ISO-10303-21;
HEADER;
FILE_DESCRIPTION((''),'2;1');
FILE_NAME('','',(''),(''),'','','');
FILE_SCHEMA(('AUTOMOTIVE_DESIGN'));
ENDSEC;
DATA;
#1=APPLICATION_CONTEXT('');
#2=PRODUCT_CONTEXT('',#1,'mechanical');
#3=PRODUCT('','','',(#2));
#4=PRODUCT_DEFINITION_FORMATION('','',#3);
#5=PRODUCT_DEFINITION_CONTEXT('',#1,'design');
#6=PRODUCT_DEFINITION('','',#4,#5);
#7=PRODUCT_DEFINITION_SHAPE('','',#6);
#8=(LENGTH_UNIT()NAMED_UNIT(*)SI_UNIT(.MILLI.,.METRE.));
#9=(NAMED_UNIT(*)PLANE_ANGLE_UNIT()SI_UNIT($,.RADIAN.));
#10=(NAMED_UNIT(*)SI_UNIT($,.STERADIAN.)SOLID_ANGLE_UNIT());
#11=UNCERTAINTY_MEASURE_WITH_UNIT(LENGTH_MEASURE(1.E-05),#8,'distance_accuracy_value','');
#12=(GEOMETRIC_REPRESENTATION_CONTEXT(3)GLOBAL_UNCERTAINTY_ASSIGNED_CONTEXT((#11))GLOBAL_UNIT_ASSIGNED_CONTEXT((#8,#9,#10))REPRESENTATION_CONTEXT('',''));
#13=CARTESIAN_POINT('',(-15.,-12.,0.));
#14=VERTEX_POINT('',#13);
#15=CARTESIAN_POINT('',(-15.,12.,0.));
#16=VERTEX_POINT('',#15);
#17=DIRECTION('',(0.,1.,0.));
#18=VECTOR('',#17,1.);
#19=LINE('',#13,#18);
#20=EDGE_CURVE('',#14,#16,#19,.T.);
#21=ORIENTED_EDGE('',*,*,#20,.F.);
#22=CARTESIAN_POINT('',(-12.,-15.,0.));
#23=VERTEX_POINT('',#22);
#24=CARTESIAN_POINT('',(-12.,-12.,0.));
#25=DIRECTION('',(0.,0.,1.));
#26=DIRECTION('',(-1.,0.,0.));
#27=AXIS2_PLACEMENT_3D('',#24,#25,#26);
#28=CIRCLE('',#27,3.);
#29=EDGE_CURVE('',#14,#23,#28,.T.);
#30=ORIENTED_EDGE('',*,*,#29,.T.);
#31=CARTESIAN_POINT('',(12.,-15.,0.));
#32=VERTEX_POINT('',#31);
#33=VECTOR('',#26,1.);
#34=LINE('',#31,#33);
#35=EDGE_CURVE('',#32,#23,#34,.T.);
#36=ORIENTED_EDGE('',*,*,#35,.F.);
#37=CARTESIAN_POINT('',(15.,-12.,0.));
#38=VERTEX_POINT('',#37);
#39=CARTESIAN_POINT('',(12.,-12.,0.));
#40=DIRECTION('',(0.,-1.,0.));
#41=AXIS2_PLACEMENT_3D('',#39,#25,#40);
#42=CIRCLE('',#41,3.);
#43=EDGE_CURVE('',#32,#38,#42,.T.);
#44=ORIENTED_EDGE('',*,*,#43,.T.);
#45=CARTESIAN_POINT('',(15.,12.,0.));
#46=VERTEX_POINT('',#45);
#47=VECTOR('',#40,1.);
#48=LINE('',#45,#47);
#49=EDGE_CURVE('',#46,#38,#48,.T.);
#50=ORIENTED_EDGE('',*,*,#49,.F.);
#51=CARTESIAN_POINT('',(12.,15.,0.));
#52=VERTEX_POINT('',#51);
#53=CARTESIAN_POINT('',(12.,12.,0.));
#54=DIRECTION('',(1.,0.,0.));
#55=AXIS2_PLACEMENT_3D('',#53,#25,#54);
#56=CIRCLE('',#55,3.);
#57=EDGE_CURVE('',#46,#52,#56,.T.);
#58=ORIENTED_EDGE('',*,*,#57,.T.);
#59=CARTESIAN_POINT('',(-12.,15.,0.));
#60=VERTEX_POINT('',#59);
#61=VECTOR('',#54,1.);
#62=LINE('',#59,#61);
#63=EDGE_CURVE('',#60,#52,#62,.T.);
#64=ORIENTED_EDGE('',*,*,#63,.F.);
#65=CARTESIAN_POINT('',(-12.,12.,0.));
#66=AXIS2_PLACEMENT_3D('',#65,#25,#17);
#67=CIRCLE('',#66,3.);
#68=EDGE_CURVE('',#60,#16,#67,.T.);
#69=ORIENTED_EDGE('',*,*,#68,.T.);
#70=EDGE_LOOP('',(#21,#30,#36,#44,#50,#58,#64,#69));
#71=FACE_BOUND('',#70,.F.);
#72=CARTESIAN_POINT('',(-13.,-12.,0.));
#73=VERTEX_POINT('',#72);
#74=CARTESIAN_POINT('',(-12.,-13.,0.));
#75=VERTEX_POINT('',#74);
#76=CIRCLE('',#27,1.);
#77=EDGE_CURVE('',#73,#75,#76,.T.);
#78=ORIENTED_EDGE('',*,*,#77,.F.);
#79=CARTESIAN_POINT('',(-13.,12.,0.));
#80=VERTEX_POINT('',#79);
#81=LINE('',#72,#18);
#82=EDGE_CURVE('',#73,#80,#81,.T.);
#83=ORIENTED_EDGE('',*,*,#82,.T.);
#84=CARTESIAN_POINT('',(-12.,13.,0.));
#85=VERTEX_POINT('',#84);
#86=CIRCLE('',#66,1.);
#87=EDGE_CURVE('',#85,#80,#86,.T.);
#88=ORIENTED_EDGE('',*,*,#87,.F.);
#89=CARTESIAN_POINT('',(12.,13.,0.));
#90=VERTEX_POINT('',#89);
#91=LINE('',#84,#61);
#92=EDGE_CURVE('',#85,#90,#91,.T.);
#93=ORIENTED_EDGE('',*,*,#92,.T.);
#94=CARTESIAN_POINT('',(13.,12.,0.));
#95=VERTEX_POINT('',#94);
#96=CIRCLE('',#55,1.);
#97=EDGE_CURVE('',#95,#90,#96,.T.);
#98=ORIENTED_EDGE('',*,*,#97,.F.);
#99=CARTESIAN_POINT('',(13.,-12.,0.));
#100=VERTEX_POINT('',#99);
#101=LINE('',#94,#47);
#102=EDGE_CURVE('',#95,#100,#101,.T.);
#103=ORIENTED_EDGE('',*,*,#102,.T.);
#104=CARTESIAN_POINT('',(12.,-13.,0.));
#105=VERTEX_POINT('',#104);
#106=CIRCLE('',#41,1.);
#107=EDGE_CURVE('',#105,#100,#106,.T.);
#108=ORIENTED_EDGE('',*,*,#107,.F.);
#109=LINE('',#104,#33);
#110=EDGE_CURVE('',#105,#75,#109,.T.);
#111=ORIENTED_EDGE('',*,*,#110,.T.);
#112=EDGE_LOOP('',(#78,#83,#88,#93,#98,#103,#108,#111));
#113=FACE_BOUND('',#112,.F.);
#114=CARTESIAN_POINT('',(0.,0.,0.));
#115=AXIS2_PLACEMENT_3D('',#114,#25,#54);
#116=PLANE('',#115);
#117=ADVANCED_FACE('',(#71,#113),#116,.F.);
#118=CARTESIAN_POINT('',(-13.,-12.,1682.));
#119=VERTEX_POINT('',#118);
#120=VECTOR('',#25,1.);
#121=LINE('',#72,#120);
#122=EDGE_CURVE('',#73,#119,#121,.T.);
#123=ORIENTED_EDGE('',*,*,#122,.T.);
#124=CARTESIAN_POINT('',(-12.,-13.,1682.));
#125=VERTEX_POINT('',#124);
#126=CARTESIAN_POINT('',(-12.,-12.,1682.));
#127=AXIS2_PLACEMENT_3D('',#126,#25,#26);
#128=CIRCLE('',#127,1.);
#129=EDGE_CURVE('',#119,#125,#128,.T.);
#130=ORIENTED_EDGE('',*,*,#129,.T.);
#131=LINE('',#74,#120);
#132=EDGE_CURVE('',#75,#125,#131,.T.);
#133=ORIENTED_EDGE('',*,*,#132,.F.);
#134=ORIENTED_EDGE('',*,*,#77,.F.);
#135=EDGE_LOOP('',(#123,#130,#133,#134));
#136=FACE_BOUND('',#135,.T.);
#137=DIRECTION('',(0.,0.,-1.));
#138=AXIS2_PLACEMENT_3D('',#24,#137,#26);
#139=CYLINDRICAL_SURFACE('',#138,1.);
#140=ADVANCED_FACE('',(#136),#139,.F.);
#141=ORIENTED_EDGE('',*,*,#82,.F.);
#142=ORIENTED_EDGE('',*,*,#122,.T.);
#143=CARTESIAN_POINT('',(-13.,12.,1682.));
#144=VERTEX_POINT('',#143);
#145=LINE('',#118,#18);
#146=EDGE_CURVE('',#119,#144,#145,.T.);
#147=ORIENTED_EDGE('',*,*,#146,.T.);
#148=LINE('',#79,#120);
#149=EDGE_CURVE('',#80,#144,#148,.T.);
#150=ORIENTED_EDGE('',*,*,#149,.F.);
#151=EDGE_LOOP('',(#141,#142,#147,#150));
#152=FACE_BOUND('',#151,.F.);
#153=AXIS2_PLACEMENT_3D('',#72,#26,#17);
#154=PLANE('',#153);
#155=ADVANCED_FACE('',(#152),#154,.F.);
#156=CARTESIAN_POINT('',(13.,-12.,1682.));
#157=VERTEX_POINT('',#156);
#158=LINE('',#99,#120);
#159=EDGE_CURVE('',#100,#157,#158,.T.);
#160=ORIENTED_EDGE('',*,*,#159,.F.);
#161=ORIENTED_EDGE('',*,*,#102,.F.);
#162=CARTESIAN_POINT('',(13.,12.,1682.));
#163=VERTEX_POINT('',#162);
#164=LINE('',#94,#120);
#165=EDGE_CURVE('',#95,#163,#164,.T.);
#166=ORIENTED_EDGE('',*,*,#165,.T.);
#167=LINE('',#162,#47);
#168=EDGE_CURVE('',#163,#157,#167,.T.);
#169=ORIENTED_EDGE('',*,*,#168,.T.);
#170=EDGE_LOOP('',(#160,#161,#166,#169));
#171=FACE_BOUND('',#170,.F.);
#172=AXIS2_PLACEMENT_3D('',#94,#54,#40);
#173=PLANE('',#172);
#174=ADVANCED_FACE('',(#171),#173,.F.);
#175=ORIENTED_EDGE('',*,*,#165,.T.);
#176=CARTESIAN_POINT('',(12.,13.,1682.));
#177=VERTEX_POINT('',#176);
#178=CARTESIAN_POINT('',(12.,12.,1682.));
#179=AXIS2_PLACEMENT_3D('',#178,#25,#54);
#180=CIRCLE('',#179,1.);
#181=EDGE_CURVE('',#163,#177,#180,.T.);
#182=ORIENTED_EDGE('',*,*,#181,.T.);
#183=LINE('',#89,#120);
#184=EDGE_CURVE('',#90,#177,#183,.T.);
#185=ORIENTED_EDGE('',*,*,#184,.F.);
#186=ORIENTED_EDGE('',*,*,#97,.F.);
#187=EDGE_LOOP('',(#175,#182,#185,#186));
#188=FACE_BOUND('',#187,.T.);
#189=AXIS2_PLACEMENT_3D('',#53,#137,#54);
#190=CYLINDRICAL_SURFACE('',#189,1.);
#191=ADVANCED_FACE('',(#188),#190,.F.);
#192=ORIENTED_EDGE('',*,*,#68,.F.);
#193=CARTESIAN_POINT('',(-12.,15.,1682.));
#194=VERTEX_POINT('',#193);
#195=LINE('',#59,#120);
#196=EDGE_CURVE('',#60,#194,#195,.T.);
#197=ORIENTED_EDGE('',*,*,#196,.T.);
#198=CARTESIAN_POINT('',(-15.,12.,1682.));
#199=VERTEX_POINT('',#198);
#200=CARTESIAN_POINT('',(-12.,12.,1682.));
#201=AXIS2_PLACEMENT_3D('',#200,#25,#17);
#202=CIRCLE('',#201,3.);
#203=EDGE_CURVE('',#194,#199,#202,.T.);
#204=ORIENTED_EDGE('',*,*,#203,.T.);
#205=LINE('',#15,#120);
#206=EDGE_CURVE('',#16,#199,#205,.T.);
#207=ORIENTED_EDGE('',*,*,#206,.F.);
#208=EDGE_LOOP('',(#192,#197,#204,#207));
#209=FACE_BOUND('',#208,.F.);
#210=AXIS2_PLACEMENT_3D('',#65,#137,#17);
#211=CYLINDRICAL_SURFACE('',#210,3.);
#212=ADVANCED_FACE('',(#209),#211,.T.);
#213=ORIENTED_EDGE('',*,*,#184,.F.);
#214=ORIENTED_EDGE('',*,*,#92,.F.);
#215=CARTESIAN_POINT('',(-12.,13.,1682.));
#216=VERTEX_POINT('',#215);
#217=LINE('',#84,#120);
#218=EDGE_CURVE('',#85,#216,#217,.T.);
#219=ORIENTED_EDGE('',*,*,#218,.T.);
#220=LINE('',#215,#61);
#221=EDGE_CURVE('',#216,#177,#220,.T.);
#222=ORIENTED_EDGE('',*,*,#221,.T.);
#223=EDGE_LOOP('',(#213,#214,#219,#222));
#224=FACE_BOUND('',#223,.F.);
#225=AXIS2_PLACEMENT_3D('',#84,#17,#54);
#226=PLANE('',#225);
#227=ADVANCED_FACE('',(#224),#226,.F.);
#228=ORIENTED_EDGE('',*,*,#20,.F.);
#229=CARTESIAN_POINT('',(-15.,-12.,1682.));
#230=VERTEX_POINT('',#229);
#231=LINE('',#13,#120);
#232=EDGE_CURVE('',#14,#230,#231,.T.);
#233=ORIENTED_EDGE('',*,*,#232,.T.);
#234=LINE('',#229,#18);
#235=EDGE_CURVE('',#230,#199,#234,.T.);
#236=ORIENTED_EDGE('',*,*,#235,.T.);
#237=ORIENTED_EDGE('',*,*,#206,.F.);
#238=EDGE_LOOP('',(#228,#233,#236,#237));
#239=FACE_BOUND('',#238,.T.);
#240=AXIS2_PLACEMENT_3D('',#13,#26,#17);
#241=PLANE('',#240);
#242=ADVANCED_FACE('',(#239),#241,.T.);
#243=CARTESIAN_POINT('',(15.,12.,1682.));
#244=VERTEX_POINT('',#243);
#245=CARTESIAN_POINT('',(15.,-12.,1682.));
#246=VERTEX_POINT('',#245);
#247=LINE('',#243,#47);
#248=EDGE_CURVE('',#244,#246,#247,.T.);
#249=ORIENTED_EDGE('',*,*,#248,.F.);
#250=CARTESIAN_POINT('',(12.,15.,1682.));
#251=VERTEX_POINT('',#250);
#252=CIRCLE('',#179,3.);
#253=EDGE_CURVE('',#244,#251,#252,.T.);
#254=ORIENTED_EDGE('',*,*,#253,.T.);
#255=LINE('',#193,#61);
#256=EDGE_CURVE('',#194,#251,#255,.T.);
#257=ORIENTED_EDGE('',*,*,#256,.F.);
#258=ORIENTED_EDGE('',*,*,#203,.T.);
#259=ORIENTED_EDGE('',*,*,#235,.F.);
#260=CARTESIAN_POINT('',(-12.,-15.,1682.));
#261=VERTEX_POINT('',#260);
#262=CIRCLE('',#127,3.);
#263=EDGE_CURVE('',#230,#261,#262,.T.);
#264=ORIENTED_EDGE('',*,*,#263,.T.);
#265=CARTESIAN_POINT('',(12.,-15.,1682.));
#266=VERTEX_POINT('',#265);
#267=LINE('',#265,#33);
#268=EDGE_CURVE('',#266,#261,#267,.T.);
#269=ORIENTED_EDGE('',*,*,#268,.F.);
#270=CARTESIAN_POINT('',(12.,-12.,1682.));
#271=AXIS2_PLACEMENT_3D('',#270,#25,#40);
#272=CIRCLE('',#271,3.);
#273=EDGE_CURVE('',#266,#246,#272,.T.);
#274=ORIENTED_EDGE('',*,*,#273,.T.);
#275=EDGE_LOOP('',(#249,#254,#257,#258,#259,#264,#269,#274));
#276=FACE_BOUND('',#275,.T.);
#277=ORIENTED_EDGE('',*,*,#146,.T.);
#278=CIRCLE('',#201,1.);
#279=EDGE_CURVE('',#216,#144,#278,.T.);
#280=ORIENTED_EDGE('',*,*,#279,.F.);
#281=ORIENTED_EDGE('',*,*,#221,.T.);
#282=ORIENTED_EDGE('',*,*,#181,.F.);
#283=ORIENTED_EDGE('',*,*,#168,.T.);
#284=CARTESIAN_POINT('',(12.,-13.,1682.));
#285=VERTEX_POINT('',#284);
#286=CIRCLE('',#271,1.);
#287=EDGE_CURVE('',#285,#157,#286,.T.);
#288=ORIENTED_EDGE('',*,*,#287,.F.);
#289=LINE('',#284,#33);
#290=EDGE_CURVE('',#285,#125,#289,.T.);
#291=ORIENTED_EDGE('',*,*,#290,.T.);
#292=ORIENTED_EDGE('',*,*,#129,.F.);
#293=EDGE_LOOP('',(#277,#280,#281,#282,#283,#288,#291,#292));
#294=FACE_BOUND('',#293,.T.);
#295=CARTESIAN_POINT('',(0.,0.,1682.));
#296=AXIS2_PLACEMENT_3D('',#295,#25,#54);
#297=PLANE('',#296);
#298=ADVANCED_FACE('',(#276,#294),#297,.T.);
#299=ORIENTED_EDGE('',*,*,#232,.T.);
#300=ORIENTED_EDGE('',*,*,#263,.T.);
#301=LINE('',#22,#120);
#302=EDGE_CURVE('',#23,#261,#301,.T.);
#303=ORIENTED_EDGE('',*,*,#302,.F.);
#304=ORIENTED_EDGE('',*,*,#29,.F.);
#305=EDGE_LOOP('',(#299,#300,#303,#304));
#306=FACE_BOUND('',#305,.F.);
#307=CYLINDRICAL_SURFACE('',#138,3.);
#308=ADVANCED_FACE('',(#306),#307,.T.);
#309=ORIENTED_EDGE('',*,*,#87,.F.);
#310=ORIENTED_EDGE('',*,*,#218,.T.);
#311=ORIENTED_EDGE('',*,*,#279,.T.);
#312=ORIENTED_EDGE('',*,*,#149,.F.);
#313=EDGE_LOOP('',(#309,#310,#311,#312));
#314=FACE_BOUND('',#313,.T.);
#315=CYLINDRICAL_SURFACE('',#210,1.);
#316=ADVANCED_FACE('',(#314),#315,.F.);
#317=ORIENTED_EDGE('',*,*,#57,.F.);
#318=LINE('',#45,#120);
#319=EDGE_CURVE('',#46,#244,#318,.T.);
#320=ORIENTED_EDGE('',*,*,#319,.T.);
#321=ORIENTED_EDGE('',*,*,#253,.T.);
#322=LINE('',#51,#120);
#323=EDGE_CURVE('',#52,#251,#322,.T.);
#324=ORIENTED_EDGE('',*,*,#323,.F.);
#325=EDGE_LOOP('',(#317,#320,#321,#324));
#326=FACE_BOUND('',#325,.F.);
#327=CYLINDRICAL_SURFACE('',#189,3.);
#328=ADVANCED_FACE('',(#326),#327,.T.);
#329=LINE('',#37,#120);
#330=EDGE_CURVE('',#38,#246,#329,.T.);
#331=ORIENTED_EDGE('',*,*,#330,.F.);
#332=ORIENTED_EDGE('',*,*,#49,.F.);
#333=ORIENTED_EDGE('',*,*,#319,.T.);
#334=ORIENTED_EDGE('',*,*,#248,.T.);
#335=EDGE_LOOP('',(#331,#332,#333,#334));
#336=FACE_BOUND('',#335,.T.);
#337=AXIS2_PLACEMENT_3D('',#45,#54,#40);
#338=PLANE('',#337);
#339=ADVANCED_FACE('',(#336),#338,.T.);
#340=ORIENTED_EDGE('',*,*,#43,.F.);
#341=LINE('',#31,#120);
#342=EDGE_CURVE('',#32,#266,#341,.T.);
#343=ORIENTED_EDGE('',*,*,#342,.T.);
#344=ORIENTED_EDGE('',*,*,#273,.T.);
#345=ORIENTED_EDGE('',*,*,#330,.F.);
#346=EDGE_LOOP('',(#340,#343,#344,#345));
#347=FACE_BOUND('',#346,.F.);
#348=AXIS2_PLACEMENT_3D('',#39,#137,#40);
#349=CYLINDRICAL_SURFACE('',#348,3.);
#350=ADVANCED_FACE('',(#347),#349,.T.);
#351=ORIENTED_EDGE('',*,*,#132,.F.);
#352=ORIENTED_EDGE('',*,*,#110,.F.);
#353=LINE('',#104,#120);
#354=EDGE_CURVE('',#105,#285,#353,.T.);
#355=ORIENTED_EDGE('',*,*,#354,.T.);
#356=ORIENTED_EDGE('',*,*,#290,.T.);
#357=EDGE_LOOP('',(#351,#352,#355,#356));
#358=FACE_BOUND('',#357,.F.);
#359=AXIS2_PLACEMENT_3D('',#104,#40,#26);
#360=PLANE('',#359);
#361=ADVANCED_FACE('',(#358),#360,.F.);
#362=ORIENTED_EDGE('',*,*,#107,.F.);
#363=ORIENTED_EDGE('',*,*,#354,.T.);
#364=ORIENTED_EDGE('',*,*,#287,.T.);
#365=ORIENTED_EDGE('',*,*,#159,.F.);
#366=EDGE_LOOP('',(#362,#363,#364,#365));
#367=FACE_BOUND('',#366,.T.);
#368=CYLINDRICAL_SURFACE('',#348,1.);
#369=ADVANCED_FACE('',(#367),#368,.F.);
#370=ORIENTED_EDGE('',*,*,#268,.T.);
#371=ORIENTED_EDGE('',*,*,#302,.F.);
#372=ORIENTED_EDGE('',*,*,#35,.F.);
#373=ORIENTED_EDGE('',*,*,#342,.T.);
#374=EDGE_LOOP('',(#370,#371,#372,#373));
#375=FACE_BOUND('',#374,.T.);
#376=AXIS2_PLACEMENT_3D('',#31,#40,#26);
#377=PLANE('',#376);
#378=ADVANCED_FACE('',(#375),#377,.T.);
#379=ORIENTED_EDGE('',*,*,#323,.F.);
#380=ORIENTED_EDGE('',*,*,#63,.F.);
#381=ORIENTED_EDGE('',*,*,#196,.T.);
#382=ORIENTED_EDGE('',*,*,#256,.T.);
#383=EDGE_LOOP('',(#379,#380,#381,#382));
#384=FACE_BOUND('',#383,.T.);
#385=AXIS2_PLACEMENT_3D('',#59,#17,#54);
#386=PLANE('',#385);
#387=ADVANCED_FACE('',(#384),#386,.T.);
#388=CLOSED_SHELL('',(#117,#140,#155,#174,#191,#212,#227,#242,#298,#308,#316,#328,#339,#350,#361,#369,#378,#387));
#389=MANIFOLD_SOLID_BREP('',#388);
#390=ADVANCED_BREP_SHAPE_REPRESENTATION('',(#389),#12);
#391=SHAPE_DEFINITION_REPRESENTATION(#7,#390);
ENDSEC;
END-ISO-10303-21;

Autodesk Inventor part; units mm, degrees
ref_plane "YZ Plane" through (0, 0, 0) normal (1, 0, 0) x (0, 1, 0)
ref_plane "Start plane" through (0, 0, 0) normal (0, 0, 1) x (1, 0, 0)
ref_plane "End plane" through (0, 0, 1682) normal (0, 0, 1) x (1, 0, 0)
sketch "Sketch" plane through (0, 0, 0) normal (0, 0, 1) x (1, 0, 0)
  line L0 (-15, -12) -> (-15, 12)
  line L1 (-12, 15) -> (12, 15)
  line L2 (15, 12) -> (15, -12)
  line L3 (12, -15) -> (-12, -15)
  arc A0 (-15, -12) -> (-12, -15) centre (-12, -12) ccw
  arc A1 (-12, 15) -> (-15, 12) centre (-12, 12) ccw
  arc A2 (15, 12) -> (12, 15) centre (12, 12) ccw
  arc A3 (12, -15) -> (15, -12) centre (12, -12) ccw
  arc A4 (-12, 13) -> (-13, 12) centre (-12, 12) ccw
  line L4 (-12, 13) -> (12, 13)
  arc A5 (13, 12) -> (12, 13) centre (12, 12) ccw
  line L5 (13, 12) -> (13, -12)
  arc A6 (12, -13) -> (13, -12) centre (12, -12) ccw
  line L6 (12, -13) -> (-12, -13)
  arc A7 (-13, -12) -> (-12, -13) centre (-12, -12) ccw
  line L7 (-13, -12) -> (-13, 12)
  line L8 (0, 21.8698) -> (0, -21.8698) construction
  line L9 (-21.8698, 0) -> (21.8698, 0) construction
  dimension "d7" = 3
  dimension "d10" = 30
  dimension "d11" = 30
  dimension "d12" = 2
  dimension "d15" = 15
  dimension "d16" = 15
extrude "Body" add sketch "Sketch" along normal up to surface (1682 mm away) from surface at 0
sketch "Sketch3" plane through (0, 0, 0) normal (0, 0, 1) x (1, 0, 0)
  line L0 (0, 0) -> (10, 0)
ref_plane "Work Plane3" through (0, 0, 0) normal (0, -1, 0) x (1, 0, 0)
sketch "Sketch4" plane through (0, 0, 0) normal (0, -1, 0) x (1, 0, 0)
  line L0 (-2, 0) -> (12, 0)
  line L1 (-2, 1682) -> (12, 1682)
  dimension "d18" = 1682
equation "\"d7\" = G_IR"
equation "\"d10\" = G_H"
equation "\"d11\" = G_W"
equation "\"d12\" = G_T"
equation "\"d15\" = 0.5 * d10"
equation "\"d16\" = 0.5 * d11"
equation "\"d3\" = G_L"
equation "\"G_W\" = 30"
equation "\"G_H\" = 30"
equation "\"G_T\" = 2"
equation "\"G_IR\" = 3"
equation "\"G_L\" = d18"
equation "\"G_OFFSET_START\" = 0"
equation "\"G_OFFSET_END\" = 0"
equation "\"d14\" = G_OFFSET_END + B_L"
equation "\"B_L\" = 1682"
properties part number "EN 10210-2 - 30 x 30 x 2 - 1682" material "Steel, Mild"
